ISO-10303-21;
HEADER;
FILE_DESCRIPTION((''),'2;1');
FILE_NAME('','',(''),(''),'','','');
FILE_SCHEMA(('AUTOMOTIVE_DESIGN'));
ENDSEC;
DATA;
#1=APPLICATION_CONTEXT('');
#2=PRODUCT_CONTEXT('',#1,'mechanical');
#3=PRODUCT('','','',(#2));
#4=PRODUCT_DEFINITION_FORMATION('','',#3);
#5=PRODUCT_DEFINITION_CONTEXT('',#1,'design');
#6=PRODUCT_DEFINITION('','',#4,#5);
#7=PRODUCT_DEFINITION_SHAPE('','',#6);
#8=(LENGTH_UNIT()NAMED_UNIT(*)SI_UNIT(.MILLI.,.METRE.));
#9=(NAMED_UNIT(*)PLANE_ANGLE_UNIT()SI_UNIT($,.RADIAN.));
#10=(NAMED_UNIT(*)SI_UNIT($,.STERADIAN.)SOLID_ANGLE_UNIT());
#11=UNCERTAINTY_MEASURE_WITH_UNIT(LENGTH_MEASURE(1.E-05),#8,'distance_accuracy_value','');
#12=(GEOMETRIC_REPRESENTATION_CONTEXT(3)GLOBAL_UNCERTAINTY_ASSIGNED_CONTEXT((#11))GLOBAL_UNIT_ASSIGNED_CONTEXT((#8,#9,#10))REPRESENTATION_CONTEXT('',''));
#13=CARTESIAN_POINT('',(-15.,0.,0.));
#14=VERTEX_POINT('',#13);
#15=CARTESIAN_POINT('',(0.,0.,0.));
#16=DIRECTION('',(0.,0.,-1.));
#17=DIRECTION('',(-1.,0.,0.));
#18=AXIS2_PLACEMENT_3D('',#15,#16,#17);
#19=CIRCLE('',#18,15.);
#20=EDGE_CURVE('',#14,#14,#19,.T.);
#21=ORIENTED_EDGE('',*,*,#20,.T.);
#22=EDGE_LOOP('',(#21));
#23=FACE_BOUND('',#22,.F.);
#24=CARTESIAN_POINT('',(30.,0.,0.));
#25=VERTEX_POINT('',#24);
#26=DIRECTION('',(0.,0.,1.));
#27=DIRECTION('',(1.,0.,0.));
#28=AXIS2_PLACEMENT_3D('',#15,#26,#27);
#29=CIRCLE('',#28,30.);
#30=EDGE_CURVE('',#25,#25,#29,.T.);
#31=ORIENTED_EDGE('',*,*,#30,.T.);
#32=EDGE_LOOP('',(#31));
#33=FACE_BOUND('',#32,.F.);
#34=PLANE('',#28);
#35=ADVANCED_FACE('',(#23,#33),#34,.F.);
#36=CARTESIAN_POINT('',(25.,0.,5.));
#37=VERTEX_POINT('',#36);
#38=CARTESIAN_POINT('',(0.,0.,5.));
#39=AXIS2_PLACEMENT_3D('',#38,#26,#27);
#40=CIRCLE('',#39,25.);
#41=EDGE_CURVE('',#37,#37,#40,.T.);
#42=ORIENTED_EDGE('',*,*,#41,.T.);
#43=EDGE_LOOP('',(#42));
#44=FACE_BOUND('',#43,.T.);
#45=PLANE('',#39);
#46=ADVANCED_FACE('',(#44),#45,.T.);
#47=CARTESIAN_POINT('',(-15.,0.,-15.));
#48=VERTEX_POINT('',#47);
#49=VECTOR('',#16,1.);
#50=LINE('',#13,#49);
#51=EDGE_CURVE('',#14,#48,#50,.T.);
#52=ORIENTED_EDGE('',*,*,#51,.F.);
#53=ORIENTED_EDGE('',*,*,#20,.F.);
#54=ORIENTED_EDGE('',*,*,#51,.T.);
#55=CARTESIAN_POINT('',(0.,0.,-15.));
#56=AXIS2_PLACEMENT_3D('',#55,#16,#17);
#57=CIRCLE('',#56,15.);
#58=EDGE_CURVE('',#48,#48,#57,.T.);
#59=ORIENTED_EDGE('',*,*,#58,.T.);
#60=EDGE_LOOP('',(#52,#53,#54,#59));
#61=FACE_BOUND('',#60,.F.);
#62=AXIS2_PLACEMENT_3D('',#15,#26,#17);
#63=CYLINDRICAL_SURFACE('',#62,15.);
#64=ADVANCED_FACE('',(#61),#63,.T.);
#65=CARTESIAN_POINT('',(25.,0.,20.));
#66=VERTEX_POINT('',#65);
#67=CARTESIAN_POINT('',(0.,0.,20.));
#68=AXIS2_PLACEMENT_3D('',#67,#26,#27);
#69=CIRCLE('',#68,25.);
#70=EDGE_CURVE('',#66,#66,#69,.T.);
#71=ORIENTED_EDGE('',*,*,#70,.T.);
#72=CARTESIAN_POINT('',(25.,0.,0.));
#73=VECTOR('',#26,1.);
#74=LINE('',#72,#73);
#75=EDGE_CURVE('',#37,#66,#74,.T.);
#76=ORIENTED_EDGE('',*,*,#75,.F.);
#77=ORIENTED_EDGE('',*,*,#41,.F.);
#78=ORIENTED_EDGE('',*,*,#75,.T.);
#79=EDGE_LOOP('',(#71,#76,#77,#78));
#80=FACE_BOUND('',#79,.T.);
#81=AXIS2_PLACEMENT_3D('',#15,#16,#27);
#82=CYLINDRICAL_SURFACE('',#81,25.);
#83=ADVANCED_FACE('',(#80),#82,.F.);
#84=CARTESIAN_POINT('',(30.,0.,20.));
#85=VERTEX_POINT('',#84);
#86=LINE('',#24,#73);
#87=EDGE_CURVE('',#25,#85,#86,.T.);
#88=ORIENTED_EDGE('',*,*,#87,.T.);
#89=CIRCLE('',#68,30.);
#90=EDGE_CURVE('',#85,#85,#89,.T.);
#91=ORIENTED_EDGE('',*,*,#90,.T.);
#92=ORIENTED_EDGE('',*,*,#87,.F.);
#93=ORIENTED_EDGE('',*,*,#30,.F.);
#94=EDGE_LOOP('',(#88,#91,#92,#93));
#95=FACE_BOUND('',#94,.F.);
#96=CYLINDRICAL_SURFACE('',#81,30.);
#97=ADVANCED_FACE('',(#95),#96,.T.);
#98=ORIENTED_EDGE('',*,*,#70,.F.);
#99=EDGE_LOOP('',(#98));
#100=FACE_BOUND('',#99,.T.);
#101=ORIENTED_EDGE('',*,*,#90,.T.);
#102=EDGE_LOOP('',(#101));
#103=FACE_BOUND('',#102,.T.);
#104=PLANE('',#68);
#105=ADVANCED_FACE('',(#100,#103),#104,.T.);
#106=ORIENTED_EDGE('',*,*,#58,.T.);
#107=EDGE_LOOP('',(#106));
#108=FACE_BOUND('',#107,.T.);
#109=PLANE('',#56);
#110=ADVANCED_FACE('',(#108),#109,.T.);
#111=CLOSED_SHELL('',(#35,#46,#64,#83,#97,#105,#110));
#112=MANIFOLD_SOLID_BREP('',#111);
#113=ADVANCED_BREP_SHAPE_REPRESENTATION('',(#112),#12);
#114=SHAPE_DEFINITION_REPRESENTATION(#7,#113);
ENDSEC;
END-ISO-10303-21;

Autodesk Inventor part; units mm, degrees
ref_plane "YZ Plane" through (0, 0, 0) normal (1, 0, 0) x (0, 1, 0)
ref_plane "XZ Plane" through (0, 0, 0) normal (0, 1, 0) x (-1, 0, 0)
ref_plane "XY Plane" through (0, 0, 0) normal (0, 0, 1) x (1, 0, 0)
sketch "Esboço1" plane through (0, 0, 0) normal (0, 0, 1) x (1, 0, 0)
  circle A0 centre (0, 0) radius 25
  circle A1 centre (0, 0) radius 30
  dimension "d0" = 50
  dimension "d1" = 60
extrude "Extrusão1" add sketch "Esboço1" along normal blind 20
extrude "Extrusão2" add sketch "Esboço1" along normal blind 5 contours A0
sketch "Esboço2" plane through (0, 0, 0) normal (0, 0, -1) x (-1, 0, 0)
  circle A0 centre (0, 0) radius 15
  dimension "d6" = 30
extrude "Extrusão3" add sketch "Esboço2" along normal blind 15
properties part number "Engrenagem"
